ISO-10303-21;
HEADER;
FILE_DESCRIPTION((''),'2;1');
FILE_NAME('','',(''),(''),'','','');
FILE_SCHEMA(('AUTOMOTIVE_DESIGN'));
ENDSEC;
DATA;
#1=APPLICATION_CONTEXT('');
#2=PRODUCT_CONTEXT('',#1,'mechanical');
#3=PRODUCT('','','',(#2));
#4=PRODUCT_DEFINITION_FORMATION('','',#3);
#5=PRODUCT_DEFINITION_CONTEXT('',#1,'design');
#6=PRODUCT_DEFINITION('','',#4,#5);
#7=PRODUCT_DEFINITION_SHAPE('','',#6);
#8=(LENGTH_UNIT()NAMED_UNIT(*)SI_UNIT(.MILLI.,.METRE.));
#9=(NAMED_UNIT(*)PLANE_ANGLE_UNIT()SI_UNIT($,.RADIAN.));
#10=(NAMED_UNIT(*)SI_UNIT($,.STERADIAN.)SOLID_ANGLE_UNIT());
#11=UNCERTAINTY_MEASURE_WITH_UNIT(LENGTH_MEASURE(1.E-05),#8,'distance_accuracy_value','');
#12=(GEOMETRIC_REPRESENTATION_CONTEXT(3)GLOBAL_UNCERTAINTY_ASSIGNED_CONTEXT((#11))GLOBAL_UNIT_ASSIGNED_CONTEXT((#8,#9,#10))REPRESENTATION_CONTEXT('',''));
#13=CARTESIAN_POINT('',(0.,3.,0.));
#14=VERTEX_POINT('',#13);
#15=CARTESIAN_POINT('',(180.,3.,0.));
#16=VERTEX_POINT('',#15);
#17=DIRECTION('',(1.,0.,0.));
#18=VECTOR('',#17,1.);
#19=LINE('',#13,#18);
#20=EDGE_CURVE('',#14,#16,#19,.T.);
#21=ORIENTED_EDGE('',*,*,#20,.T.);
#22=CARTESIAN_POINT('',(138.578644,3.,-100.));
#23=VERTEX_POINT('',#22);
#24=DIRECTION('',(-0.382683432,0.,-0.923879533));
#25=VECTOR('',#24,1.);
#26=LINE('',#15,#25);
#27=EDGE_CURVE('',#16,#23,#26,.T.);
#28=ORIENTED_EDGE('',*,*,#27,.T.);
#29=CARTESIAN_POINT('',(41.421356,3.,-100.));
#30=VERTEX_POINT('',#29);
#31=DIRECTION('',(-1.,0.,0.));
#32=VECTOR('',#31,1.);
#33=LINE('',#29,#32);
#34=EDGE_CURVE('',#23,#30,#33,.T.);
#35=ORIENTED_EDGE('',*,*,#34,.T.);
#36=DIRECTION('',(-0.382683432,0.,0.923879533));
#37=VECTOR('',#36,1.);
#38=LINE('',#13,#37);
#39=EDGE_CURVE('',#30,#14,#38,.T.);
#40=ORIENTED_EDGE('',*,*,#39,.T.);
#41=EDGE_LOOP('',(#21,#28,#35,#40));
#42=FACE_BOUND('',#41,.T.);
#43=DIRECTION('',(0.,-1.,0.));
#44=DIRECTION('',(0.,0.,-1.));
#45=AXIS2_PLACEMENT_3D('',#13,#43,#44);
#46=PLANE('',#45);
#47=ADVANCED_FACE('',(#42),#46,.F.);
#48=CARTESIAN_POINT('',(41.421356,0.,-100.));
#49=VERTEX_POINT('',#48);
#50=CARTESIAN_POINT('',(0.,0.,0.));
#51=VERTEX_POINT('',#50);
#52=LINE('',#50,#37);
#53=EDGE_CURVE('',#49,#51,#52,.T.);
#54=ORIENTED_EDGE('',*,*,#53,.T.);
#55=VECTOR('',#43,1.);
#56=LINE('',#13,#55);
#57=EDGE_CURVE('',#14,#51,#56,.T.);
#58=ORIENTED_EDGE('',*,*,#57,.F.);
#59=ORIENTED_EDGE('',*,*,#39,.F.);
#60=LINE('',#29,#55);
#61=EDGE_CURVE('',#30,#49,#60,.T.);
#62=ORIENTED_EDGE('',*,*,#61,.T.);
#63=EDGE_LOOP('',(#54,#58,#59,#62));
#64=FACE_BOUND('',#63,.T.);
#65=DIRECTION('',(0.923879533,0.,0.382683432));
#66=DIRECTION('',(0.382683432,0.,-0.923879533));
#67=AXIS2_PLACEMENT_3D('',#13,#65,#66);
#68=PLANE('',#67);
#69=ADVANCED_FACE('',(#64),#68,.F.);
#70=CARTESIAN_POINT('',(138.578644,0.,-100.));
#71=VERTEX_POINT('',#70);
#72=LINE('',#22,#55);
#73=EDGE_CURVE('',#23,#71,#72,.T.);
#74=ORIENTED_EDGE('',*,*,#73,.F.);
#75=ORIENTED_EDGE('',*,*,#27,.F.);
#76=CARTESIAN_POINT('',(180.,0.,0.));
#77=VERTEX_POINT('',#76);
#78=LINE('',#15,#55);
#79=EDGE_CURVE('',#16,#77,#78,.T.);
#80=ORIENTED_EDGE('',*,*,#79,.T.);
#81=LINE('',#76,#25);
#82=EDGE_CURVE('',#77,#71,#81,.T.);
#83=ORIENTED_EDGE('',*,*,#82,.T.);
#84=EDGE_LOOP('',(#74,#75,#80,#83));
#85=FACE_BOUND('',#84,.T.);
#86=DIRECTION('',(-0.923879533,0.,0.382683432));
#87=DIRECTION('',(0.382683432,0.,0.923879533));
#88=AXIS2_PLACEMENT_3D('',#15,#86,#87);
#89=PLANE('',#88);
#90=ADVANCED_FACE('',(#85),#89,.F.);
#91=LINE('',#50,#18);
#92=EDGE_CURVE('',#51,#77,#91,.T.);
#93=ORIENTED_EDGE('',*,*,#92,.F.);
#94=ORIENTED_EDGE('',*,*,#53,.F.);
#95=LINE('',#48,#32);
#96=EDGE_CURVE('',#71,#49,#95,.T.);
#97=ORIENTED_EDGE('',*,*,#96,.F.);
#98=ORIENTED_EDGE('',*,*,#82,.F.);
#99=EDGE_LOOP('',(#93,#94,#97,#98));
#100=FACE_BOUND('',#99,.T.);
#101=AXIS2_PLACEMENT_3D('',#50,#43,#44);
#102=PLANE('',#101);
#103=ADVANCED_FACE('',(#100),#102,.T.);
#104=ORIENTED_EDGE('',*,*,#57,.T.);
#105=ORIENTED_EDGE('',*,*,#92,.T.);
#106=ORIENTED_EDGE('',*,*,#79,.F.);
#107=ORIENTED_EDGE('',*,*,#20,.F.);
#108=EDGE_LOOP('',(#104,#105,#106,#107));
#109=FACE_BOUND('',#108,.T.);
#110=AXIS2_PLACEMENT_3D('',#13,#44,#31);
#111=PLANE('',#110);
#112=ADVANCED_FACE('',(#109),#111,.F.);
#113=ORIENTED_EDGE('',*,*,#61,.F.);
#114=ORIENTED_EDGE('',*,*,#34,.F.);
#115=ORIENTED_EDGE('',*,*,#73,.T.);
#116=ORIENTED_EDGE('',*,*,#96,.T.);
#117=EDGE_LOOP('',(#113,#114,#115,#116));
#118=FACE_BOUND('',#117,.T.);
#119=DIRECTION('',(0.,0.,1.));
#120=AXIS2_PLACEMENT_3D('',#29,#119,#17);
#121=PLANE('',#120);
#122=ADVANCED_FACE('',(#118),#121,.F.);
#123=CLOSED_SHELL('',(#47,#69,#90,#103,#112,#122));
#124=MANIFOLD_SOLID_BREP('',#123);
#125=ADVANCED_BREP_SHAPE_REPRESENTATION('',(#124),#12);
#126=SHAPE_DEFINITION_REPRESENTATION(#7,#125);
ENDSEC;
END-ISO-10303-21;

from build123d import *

# Parameters (mm, degrees)
BOSS_EXTRUDE1_DEPTH = 3


with BuildPart() as part:
    # Sketch1 → Boss-Extrude1 (new body)
    with BuildSketch(Plane(origin=(0, 0, 0), x_dir=(1, 0, 0), z_dir=(0, 1, 0))):
        Polygon((0, 0), (180, 0), (138.578643763, 100), (41.421356237, 100), align=None)
    extrude(amount=BOSS_EXTRUDE1_DEPTH)


solid = part.part
